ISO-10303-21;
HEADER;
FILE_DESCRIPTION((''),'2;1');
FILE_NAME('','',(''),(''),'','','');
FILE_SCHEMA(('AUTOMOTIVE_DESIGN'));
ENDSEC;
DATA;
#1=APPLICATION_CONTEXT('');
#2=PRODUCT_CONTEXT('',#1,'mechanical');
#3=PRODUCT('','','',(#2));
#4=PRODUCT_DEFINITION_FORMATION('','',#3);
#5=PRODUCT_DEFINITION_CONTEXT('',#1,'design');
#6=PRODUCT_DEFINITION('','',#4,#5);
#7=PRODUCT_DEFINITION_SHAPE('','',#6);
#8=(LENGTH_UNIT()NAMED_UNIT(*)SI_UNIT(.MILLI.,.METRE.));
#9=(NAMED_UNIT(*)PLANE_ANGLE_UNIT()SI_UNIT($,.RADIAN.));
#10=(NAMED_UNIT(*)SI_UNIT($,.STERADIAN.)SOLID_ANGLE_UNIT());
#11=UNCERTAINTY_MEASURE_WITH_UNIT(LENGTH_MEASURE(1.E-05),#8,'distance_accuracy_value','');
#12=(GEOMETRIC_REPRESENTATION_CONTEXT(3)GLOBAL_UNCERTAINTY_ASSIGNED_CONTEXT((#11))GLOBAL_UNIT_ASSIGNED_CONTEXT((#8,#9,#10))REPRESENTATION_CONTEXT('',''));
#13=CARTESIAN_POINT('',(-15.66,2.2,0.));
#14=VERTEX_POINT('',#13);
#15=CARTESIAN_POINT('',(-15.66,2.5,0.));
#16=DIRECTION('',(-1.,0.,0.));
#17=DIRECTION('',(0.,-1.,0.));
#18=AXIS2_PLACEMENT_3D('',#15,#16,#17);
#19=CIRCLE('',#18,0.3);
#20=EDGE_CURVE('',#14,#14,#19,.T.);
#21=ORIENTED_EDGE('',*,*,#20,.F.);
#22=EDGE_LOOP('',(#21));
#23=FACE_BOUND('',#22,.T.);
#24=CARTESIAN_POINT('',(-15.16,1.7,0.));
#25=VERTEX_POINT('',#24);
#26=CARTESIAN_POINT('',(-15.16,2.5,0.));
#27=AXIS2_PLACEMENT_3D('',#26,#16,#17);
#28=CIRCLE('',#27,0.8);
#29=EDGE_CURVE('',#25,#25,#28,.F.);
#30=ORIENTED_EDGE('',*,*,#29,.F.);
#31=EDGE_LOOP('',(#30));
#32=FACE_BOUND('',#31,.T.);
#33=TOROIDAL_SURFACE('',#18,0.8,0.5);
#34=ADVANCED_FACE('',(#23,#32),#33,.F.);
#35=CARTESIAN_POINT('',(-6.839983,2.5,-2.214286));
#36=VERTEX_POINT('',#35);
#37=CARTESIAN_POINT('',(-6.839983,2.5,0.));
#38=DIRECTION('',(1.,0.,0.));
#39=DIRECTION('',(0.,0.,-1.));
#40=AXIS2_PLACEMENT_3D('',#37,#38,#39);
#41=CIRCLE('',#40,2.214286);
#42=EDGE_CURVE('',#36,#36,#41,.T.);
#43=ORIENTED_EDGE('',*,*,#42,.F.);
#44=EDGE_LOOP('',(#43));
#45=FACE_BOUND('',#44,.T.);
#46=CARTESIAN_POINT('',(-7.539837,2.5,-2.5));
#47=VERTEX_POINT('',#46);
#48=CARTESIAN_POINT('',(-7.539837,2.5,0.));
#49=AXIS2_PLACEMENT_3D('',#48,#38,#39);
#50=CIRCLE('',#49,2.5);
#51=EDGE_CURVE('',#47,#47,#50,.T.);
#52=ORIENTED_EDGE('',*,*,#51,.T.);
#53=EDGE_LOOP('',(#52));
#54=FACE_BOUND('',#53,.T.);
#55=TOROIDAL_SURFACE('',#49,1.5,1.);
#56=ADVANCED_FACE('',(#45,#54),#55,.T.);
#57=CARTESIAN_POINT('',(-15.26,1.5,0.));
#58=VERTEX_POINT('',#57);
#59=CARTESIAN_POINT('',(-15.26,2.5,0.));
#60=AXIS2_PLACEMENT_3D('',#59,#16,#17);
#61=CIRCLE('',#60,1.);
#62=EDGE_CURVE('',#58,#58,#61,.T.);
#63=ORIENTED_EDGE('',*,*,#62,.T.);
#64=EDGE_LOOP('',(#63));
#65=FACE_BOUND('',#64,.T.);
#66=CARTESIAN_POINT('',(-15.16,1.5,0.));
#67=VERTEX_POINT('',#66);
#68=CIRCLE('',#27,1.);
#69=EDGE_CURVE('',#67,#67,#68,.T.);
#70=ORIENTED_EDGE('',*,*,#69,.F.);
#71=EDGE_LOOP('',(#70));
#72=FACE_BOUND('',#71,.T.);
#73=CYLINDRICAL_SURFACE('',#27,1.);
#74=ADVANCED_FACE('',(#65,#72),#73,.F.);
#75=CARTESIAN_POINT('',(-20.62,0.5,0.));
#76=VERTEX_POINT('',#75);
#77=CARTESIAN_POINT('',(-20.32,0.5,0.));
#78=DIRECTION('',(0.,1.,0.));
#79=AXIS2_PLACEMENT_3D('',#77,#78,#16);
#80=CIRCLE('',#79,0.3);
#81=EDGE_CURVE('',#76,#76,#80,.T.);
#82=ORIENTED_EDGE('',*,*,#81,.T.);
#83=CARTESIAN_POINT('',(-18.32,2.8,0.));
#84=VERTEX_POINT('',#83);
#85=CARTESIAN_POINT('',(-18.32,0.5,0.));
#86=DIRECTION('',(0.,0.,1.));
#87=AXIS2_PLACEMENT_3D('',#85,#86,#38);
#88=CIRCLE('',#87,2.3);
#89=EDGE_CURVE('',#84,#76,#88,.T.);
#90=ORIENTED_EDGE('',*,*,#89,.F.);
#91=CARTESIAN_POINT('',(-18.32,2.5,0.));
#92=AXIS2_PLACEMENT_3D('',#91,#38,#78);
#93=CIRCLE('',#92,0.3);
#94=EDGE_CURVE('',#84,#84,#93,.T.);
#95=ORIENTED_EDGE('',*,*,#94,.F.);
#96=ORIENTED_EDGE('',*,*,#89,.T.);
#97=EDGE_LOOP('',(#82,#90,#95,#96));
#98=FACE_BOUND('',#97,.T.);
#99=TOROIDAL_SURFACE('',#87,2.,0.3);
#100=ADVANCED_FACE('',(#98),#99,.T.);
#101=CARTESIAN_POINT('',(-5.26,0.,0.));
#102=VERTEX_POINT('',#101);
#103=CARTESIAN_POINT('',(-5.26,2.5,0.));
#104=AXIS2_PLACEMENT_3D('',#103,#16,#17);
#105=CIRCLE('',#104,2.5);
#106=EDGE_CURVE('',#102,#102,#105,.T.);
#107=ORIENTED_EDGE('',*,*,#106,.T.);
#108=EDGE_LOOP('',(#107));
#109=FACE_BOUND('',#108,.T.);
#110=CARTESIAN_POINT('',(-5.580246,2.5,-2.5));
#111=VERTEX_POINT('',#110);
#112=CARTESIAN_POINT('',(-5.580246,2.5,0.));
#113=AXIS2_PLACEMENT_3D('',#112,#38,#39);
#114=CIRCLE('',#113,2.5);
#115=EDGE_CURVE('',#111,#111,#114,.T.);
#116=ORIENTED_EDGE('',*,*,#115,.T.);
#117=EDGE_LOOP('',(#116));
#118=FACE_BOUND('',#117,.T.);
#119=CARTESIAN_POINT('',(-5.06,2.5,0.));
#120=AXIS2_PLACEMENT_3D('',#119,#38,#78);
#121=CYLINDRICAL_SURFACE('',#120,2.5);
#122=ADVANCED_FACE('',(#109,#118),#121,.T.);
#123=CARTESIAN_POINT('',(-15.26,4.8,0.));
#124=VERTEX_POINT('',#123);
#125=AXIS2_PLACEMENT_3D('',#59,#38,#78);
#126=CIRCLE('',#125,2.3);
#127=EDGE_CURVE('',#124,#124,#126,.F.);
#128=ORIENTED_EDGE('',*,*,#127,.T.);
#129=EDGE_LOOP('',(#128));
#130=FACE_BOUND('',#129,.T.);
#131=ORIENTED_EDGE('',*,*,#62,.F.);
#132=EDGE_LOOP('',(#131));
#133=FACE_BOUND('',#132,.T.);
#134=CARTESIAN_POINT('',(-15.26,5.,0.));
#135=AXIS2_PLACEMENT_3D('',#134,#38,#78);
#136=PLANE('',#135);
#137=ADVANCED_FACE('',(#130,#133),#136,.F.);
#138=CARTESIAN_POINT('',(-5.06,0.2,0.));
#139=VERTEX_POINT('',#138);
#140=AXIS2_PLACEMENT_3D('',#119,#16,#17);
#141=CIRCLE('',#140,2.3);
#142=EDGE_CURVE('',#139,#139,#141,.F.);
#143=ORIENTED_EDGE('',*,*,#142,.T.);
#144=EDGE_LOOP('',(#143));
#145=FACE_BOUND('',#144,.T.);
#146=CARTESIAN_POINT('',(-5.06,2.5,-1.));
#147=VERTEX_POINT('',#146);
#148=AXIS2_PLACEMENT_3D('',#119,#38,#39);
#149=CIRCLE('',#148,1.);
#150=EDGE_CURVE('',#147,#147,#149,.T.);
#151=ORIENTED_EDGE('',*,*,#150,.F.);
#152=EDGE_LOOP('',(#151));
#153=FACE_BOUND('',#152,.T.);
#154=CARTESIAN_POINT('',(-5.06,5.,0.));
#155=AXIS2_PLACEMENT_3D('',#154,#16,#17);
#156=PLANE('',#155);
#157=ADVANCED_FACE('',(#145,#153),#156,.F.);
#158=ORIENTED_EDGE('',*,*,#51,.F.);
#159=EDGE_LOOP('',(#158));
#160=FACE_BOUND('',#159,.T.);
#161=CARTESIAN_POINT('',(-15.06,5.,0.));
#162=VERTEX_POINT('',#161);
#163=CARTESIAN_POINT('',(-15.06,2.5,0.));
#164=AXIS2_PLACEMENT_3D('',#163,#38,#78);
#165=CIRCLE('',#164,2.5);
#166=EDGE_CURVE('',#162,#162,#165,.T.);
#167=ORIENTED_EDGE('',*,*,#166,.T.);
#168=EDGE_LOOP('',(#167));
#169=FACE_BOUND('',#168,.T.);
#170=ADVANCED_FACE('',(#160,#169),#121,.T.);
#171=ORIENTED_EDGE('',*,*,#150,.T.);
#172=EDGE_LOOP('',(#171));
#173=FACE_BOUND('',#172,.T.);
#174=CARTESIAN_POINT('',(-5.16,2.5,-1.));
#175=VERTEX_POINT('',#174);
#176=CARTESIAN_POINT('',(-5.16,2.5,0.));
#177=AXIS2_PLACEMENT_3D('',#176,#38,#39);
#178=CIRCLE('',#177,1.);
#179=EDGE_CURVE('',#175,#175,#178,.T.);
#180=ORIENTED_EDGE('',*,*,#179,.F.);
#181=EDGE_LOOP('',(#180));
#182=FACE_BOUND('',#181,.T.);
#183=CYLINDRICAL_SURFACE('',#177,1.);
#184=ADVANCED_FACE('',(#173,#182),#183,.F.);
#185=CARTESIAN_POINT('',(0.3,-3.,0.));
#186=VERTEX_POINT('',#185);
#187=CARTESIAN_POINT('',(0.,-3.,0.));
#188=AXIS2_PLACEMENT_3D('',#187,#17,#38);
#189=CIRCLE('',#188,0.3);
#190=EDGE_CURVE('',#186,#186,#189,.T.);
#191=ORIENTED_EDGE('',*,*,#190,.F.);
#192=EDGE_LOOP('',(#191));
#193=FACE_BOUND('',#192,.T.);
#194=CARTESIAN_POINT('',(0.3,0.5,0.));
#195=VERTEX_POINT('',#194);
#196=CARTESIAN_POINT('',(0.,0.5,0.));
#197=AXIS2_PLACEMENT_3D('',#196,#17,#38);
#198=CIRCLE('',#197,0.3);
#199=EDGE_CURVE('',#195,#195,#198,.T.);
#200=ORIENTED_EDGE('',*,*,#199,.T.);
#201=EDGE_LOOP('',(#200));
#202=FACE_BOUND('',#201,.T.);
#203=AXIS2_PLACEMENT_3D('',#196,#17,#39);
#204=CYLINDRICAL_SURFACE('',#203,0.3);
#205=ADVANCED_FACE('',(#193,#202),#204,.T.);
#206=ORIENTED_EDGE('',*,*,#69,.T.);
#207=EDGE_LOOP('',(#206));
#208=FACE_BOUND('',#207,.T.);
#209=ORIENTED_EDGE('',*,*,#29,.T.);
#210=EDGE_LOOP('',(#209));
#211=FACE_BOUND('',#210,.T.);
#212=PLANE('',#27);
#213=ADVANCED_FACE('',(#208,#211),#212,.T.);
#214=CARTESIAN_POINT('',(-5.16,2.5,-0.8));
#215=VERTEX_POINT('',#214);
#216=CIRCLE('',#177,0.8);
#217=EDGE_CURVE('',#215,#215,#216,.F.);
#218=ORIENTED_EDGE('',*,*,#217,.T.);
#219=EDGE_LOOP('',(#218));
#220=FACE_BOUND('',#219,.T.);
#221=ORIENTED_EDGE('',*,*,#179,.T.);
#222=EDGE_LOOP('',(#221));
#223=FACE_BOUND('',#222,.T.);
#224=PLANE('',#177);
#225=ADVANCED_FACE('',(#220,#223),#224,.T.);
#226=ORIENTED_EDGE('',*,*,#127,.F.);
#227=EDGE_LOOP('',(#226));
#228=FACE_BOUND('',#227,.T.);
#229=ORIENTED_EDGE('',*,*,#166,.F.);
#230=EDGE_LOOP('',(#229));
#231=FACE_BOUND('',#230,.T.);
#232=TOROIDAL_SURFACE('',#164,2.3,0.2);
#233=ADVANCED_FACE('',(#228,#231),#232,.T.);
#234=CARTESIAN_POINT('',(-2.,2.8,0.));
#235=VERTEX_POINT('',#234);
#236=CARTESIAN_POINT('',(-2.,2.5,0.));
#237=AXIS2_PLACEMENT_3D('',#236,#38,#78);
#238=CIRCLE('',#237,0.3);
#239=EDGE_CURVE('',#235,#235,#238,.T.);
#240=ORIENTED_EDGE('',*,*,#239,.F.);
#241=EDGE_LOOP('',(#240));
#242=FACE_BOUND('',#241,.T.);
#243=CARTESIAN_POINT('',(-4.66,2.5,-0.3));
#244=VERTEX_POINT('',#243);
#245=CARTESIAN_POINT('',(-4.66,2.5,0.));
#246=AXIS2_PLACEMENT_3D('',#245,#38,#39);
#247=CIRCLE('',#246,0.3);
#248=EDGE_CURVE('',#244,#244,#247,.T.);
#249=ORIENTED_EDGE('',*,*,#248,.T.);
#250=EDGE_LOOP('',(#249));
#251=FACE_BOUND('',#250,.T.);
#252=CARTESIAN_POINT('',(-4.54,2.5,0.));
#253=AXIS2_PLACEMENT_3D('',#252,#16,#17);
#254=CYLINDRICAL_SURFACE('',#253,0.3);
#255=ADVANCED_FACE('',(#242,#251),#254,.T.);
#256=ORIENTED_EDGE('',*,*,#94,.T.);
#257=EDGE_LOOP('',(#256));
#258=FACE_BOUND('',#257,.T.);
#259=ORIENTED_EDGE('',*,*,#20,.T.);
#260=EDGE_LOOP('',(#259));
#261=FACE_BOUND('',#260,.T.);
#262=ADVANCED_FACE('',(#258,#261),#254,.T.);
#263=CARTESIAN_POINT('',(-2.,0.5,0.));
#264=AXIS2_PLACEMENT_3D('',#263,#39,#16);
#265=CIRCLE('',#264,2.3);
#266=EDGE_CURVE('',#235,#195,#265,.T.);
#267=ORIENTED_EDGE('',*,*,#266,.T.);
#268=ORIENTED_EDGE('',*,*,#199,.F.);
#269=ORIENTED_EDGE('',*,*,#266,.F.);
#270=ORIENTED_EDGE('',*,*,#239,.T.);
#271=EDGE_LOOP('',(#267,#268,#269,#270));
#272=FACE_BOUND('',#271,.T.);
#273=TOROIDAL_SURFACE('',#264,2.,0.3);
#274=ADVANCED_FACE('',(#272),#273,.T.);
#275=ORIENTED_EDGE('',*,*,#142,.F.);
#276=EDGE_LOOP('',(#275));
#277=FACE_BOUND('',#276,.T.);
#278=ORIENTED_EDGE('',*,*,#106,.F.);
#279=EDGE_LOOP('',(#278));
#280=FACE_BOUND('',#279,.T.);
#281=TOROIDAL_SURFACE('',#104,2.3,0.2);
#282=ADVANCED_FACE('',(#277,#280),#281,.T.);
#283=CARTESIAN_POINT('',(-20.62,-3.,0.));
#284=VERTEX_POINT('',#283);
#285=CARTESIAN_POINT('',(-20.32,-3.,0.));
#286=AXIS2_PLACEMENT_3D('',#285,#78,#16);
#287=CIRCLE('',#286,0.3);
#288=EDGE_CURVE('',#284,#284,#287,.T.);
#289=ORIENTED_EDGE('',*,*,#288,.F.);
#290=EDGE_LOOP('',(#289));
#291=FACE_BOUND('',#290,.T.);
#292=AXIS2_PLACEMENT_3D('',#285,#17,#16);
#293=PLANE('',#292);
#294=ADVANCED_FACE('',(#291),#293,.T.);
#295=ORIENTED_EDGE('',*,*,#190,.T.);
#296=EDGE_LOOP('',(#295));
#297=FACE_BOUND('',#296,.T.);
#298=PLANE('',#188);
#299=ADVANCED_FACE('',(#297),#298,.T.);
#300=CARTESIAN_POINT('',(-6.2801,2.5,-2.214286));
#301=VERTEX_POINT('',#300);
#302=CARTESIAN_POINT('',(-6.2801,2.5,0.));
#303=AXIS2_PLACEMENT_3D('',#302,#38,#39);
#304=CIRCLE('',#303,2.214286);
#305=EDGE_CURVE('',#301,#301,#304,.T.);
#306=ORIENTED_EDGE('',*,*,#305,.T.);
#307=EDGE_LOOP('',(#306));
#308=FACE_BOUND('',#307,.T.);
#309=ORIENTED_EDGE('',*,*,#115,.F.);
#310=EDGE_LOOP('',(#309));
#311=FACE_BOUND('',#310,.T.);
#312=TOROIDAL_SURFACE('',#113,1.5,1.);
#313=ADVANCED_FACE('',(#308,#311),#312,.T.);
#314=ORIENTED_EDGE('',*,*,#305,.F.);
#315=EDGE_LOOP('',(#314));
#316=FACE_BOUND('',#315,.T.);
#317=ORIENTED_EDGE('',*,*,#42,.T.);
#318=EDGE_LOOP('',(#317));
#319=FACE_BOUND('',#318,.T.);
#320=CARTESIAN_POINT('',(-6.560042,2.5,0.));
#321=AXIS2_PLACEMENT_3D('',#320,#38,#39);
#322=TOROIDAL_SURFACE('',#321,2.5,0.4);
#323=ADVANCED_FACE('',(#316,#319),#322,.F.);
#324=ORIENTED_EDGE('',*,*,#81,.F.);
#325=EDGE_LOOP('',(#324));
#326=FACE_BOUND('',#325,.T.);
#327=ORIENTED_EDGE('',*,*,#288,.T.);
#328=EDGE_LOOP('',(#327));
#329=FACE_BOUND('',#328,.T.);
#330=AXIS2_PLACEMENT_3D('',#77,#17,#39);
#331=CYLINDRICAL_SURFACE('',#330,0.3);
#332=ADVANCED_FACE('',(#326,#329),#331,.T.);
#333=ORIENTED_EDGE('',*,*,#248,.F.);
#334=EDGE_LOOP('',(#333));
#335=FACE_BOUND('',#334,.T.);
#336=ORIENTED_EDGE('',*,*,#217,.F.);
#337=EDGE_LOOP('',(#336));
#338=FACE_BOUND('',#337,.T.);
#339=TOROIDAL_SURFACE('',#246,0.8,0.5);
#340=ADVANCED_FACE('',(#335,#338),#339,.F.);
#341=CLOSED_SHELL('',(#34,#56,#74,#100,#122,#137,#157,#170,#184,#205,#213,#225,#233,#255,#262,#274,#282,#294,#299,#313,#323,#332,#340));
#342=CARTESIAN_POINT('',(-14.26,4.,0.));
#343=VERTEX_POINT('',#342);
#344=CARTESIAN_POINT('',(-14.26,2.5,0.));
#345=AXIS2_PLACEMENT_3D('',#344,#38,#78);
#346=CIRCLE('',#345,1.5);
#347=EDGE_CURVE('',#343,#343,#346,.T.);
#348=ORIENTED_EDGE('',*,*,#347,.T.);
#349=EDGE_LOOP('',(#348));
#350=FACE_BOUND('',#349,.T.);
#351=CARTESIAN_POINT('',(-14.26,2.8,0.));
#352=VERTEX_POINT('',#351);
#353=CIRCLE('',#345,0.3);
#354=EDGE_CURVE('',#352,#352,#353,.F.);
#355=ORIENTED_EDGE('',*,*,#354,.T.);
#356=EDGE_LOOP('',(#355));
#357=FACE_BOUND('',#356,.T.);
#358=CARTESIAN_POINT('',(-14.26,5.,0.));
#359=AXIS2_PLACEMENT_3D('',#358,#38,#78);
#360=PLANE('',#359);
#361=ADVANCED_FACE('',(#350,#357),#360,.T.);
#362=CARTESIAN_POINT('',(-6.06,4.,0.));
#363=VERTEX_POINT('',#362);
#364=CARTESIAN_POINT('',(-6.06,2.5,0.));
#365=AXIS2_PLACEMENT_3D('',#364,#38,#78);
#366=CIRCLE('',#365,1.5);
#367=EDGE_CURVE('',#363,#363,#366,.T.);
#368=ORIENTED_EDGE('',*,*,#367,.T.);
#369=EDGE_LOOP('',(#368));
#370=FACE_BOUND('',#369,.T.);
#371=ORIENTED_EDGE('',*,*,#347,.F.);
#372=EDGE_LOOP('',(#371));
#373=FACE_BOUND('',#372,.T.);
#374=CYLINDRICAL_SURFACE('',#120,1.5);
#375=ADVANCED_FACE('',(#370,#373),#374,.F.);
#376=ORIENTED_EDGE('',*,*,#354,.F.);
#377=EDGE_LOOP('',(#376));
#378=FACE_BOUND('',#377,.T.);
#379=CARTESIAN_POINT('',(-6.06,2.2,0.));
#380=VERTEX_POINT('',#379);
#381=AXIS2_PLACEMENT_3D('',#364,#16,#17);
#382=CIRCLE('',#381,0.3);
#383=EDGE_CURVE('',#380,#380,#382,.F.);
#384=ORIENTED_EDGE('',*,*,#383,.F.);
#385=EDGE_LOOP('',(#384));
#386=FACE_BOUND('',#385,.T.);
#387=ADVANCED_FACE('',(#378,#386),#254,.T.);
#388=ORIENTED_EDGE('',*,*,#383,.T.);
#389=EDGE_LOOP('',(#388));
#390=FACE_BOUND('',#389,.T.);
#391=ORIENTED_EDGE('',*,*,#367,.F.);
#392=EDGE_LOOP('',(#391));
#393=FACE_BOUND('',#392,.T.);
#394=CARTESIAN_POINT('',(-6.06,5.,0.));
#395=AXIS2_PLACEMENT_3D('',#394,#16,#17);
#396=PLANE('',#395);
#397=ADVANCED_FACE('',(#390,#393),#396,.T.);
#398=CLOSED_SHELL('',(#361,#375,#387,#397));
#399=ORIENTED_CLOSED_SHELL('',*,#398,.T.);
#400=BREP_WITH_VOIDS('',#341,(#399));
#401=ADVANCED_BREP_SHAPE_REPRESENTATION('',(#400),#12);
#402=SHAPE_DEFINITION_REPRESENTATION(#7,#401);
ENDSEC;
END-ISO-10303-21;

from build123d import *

# Parameters (mm, degrees)
SKETCH2_R                = 1
CUT_EXTRUDE1_DEPTH       = 0.1
SKETCH3_R                = 1
CUT_EXTRUDE2_DEPTH       = 0.1
FILLET1_R                = 0.2
SKETCH4_R                = 0.3
BOSS_EXTRUDE1_DEPTH      = 0.62
BOSS_EXTRUDE1_DEPTH_BACK = 10.62
FILLET2_R                = 0.5
SKETCH7_R                = 0.3


with BuildPart() as part:
    # Sketch1 → Base-Revolve-Thin (revolve)
    with BuildSketch(Plane.XY):
        Polygon((-15.26000004, 2.5), (-15.26000004, 5), (-5.06000004, 5), (-5.06000004, 2.5), (-6.06000004, 2.5), (-6.06000004, 4), (-14.26000004, 4), (-14.26000004, 2.5), align=None)
    revolve(axis=Axis((-5.06000004, 2.5, 0), (-1, 0, 0)))

    # Sketch2 → Cut-Extrude1 (cut)
    with BuildSketch(Plane(origin=(-5.06000004, 0, 0), x_dir=(0, 0, -1), z_dir=(1, 0, 0))):
        with Locations((0, 2.5)):
            Circle(SKETCH2_R)
    extrude(amount=-CUT_EXTRUDE1_DEPTH, mode=Mode.SUBTRACT)

    # Sketch3 → Cut-Extrude2 (cut)
    with BuildSketch(Plane.ZY.offset(15.26000004)):
        with Locations((0, 2.5)):
            Circle(SKETCH3_R)
    extrude(amount=-CUT_EXTRUDE2_DEPTH, mode=Mode.SUBTRACT)

    # Fillet1
    fillet1_edges = [part.edges().sort_by_distance(p)[0] for p in [
        (-15.26000004, 0, 0),
        (-5.06000004, 0, 0),
    ]]
    fillet(fillet1_edges, radius=FILLET1_R)

    # Sketch4 → Boss-Extrude1 (add, two sides)
    with BuildSketch(Plane(origin=(-5.16000004, 0, 0), x_dir=(0, 0, -1), z_dir=(1, 0, 0))) as boss_extrude1_sk:
        with Locations((0, 2.5)):
            Circle(SKETCH4_R)
    extrude(amount=BOSS_EXTRUDE1_DEPTH)
    extrude(boss_extrude1_sk.sketch, amount=-BOSS_EXTRUDE1_DEPTH_BACK)

    # Fillet2
    fillet2_edges = [part.edges().sort_by_distance(p)[0] for p in [
        (-5.16000004, 2.5, 0.3),
        (-15.16000004, 2.5, 0.3),
    ]]
    fillet(fillet2_edges, radius=FILLET2_R)

    # Boss-Sweep2: sweep along a path in Sketch5
    with BuildLine(Plane.XY) as boss_sweep2_path:
        Line((0, -3), (0, 0.5))
        ThreePointArc((0, 0.5), (-0.585786438, 1.914213562), (-2, 2.5))
        Line((-2, 2.5), (-4.54000004, 2.5))
    # Sketch7 → Boss-Sweep2 (sweep)
    with BuildSketch(Plane(origin=(-4.54000004, 0, 0), x_dir=(0, 0, -1), z_dir=(1, 0, 0))):
        with Locations((0, 2.5)):
            Circle(SKETCH7_R)
    boss_sweep2 = sweep(path=boss_sweep2_path.line)

    # Mirror1: Boss-Sweep2 across plane
    add(boss_sweep2.mirror(Plane(origin=(-10.16000004, 0, 0), x_dir=(0, 0, 1), z_dir=(1, 0, 0))))

    # Sketch8 → Cut-Revolve1 (revolve, cut)
    with BuildSketch(Plane.XY):
        with BuildLine():
            Line((-5.580246119, 5), (-7.539837097, 5))
            ThreePointArc((-7.539837097, 5), (-7.161872813, 4.925820177), (-6.839983176, 4.714286))
            ThreePointArc((-6.839983176, 4.714286), (-6.560041608, 4.6000004), (-6.28010004, 4.714286))
            ThreePointArc((-6.28010004, 4.714286), (-5.958210403, 4.925820177), (-5.580246119, 5))
        make_face()
    revolve(axis=Axis((-2.979129248, 2.5, 0), (-1, 0, 0)), mode=Mode.SUBTRACT)


solid = part.part
